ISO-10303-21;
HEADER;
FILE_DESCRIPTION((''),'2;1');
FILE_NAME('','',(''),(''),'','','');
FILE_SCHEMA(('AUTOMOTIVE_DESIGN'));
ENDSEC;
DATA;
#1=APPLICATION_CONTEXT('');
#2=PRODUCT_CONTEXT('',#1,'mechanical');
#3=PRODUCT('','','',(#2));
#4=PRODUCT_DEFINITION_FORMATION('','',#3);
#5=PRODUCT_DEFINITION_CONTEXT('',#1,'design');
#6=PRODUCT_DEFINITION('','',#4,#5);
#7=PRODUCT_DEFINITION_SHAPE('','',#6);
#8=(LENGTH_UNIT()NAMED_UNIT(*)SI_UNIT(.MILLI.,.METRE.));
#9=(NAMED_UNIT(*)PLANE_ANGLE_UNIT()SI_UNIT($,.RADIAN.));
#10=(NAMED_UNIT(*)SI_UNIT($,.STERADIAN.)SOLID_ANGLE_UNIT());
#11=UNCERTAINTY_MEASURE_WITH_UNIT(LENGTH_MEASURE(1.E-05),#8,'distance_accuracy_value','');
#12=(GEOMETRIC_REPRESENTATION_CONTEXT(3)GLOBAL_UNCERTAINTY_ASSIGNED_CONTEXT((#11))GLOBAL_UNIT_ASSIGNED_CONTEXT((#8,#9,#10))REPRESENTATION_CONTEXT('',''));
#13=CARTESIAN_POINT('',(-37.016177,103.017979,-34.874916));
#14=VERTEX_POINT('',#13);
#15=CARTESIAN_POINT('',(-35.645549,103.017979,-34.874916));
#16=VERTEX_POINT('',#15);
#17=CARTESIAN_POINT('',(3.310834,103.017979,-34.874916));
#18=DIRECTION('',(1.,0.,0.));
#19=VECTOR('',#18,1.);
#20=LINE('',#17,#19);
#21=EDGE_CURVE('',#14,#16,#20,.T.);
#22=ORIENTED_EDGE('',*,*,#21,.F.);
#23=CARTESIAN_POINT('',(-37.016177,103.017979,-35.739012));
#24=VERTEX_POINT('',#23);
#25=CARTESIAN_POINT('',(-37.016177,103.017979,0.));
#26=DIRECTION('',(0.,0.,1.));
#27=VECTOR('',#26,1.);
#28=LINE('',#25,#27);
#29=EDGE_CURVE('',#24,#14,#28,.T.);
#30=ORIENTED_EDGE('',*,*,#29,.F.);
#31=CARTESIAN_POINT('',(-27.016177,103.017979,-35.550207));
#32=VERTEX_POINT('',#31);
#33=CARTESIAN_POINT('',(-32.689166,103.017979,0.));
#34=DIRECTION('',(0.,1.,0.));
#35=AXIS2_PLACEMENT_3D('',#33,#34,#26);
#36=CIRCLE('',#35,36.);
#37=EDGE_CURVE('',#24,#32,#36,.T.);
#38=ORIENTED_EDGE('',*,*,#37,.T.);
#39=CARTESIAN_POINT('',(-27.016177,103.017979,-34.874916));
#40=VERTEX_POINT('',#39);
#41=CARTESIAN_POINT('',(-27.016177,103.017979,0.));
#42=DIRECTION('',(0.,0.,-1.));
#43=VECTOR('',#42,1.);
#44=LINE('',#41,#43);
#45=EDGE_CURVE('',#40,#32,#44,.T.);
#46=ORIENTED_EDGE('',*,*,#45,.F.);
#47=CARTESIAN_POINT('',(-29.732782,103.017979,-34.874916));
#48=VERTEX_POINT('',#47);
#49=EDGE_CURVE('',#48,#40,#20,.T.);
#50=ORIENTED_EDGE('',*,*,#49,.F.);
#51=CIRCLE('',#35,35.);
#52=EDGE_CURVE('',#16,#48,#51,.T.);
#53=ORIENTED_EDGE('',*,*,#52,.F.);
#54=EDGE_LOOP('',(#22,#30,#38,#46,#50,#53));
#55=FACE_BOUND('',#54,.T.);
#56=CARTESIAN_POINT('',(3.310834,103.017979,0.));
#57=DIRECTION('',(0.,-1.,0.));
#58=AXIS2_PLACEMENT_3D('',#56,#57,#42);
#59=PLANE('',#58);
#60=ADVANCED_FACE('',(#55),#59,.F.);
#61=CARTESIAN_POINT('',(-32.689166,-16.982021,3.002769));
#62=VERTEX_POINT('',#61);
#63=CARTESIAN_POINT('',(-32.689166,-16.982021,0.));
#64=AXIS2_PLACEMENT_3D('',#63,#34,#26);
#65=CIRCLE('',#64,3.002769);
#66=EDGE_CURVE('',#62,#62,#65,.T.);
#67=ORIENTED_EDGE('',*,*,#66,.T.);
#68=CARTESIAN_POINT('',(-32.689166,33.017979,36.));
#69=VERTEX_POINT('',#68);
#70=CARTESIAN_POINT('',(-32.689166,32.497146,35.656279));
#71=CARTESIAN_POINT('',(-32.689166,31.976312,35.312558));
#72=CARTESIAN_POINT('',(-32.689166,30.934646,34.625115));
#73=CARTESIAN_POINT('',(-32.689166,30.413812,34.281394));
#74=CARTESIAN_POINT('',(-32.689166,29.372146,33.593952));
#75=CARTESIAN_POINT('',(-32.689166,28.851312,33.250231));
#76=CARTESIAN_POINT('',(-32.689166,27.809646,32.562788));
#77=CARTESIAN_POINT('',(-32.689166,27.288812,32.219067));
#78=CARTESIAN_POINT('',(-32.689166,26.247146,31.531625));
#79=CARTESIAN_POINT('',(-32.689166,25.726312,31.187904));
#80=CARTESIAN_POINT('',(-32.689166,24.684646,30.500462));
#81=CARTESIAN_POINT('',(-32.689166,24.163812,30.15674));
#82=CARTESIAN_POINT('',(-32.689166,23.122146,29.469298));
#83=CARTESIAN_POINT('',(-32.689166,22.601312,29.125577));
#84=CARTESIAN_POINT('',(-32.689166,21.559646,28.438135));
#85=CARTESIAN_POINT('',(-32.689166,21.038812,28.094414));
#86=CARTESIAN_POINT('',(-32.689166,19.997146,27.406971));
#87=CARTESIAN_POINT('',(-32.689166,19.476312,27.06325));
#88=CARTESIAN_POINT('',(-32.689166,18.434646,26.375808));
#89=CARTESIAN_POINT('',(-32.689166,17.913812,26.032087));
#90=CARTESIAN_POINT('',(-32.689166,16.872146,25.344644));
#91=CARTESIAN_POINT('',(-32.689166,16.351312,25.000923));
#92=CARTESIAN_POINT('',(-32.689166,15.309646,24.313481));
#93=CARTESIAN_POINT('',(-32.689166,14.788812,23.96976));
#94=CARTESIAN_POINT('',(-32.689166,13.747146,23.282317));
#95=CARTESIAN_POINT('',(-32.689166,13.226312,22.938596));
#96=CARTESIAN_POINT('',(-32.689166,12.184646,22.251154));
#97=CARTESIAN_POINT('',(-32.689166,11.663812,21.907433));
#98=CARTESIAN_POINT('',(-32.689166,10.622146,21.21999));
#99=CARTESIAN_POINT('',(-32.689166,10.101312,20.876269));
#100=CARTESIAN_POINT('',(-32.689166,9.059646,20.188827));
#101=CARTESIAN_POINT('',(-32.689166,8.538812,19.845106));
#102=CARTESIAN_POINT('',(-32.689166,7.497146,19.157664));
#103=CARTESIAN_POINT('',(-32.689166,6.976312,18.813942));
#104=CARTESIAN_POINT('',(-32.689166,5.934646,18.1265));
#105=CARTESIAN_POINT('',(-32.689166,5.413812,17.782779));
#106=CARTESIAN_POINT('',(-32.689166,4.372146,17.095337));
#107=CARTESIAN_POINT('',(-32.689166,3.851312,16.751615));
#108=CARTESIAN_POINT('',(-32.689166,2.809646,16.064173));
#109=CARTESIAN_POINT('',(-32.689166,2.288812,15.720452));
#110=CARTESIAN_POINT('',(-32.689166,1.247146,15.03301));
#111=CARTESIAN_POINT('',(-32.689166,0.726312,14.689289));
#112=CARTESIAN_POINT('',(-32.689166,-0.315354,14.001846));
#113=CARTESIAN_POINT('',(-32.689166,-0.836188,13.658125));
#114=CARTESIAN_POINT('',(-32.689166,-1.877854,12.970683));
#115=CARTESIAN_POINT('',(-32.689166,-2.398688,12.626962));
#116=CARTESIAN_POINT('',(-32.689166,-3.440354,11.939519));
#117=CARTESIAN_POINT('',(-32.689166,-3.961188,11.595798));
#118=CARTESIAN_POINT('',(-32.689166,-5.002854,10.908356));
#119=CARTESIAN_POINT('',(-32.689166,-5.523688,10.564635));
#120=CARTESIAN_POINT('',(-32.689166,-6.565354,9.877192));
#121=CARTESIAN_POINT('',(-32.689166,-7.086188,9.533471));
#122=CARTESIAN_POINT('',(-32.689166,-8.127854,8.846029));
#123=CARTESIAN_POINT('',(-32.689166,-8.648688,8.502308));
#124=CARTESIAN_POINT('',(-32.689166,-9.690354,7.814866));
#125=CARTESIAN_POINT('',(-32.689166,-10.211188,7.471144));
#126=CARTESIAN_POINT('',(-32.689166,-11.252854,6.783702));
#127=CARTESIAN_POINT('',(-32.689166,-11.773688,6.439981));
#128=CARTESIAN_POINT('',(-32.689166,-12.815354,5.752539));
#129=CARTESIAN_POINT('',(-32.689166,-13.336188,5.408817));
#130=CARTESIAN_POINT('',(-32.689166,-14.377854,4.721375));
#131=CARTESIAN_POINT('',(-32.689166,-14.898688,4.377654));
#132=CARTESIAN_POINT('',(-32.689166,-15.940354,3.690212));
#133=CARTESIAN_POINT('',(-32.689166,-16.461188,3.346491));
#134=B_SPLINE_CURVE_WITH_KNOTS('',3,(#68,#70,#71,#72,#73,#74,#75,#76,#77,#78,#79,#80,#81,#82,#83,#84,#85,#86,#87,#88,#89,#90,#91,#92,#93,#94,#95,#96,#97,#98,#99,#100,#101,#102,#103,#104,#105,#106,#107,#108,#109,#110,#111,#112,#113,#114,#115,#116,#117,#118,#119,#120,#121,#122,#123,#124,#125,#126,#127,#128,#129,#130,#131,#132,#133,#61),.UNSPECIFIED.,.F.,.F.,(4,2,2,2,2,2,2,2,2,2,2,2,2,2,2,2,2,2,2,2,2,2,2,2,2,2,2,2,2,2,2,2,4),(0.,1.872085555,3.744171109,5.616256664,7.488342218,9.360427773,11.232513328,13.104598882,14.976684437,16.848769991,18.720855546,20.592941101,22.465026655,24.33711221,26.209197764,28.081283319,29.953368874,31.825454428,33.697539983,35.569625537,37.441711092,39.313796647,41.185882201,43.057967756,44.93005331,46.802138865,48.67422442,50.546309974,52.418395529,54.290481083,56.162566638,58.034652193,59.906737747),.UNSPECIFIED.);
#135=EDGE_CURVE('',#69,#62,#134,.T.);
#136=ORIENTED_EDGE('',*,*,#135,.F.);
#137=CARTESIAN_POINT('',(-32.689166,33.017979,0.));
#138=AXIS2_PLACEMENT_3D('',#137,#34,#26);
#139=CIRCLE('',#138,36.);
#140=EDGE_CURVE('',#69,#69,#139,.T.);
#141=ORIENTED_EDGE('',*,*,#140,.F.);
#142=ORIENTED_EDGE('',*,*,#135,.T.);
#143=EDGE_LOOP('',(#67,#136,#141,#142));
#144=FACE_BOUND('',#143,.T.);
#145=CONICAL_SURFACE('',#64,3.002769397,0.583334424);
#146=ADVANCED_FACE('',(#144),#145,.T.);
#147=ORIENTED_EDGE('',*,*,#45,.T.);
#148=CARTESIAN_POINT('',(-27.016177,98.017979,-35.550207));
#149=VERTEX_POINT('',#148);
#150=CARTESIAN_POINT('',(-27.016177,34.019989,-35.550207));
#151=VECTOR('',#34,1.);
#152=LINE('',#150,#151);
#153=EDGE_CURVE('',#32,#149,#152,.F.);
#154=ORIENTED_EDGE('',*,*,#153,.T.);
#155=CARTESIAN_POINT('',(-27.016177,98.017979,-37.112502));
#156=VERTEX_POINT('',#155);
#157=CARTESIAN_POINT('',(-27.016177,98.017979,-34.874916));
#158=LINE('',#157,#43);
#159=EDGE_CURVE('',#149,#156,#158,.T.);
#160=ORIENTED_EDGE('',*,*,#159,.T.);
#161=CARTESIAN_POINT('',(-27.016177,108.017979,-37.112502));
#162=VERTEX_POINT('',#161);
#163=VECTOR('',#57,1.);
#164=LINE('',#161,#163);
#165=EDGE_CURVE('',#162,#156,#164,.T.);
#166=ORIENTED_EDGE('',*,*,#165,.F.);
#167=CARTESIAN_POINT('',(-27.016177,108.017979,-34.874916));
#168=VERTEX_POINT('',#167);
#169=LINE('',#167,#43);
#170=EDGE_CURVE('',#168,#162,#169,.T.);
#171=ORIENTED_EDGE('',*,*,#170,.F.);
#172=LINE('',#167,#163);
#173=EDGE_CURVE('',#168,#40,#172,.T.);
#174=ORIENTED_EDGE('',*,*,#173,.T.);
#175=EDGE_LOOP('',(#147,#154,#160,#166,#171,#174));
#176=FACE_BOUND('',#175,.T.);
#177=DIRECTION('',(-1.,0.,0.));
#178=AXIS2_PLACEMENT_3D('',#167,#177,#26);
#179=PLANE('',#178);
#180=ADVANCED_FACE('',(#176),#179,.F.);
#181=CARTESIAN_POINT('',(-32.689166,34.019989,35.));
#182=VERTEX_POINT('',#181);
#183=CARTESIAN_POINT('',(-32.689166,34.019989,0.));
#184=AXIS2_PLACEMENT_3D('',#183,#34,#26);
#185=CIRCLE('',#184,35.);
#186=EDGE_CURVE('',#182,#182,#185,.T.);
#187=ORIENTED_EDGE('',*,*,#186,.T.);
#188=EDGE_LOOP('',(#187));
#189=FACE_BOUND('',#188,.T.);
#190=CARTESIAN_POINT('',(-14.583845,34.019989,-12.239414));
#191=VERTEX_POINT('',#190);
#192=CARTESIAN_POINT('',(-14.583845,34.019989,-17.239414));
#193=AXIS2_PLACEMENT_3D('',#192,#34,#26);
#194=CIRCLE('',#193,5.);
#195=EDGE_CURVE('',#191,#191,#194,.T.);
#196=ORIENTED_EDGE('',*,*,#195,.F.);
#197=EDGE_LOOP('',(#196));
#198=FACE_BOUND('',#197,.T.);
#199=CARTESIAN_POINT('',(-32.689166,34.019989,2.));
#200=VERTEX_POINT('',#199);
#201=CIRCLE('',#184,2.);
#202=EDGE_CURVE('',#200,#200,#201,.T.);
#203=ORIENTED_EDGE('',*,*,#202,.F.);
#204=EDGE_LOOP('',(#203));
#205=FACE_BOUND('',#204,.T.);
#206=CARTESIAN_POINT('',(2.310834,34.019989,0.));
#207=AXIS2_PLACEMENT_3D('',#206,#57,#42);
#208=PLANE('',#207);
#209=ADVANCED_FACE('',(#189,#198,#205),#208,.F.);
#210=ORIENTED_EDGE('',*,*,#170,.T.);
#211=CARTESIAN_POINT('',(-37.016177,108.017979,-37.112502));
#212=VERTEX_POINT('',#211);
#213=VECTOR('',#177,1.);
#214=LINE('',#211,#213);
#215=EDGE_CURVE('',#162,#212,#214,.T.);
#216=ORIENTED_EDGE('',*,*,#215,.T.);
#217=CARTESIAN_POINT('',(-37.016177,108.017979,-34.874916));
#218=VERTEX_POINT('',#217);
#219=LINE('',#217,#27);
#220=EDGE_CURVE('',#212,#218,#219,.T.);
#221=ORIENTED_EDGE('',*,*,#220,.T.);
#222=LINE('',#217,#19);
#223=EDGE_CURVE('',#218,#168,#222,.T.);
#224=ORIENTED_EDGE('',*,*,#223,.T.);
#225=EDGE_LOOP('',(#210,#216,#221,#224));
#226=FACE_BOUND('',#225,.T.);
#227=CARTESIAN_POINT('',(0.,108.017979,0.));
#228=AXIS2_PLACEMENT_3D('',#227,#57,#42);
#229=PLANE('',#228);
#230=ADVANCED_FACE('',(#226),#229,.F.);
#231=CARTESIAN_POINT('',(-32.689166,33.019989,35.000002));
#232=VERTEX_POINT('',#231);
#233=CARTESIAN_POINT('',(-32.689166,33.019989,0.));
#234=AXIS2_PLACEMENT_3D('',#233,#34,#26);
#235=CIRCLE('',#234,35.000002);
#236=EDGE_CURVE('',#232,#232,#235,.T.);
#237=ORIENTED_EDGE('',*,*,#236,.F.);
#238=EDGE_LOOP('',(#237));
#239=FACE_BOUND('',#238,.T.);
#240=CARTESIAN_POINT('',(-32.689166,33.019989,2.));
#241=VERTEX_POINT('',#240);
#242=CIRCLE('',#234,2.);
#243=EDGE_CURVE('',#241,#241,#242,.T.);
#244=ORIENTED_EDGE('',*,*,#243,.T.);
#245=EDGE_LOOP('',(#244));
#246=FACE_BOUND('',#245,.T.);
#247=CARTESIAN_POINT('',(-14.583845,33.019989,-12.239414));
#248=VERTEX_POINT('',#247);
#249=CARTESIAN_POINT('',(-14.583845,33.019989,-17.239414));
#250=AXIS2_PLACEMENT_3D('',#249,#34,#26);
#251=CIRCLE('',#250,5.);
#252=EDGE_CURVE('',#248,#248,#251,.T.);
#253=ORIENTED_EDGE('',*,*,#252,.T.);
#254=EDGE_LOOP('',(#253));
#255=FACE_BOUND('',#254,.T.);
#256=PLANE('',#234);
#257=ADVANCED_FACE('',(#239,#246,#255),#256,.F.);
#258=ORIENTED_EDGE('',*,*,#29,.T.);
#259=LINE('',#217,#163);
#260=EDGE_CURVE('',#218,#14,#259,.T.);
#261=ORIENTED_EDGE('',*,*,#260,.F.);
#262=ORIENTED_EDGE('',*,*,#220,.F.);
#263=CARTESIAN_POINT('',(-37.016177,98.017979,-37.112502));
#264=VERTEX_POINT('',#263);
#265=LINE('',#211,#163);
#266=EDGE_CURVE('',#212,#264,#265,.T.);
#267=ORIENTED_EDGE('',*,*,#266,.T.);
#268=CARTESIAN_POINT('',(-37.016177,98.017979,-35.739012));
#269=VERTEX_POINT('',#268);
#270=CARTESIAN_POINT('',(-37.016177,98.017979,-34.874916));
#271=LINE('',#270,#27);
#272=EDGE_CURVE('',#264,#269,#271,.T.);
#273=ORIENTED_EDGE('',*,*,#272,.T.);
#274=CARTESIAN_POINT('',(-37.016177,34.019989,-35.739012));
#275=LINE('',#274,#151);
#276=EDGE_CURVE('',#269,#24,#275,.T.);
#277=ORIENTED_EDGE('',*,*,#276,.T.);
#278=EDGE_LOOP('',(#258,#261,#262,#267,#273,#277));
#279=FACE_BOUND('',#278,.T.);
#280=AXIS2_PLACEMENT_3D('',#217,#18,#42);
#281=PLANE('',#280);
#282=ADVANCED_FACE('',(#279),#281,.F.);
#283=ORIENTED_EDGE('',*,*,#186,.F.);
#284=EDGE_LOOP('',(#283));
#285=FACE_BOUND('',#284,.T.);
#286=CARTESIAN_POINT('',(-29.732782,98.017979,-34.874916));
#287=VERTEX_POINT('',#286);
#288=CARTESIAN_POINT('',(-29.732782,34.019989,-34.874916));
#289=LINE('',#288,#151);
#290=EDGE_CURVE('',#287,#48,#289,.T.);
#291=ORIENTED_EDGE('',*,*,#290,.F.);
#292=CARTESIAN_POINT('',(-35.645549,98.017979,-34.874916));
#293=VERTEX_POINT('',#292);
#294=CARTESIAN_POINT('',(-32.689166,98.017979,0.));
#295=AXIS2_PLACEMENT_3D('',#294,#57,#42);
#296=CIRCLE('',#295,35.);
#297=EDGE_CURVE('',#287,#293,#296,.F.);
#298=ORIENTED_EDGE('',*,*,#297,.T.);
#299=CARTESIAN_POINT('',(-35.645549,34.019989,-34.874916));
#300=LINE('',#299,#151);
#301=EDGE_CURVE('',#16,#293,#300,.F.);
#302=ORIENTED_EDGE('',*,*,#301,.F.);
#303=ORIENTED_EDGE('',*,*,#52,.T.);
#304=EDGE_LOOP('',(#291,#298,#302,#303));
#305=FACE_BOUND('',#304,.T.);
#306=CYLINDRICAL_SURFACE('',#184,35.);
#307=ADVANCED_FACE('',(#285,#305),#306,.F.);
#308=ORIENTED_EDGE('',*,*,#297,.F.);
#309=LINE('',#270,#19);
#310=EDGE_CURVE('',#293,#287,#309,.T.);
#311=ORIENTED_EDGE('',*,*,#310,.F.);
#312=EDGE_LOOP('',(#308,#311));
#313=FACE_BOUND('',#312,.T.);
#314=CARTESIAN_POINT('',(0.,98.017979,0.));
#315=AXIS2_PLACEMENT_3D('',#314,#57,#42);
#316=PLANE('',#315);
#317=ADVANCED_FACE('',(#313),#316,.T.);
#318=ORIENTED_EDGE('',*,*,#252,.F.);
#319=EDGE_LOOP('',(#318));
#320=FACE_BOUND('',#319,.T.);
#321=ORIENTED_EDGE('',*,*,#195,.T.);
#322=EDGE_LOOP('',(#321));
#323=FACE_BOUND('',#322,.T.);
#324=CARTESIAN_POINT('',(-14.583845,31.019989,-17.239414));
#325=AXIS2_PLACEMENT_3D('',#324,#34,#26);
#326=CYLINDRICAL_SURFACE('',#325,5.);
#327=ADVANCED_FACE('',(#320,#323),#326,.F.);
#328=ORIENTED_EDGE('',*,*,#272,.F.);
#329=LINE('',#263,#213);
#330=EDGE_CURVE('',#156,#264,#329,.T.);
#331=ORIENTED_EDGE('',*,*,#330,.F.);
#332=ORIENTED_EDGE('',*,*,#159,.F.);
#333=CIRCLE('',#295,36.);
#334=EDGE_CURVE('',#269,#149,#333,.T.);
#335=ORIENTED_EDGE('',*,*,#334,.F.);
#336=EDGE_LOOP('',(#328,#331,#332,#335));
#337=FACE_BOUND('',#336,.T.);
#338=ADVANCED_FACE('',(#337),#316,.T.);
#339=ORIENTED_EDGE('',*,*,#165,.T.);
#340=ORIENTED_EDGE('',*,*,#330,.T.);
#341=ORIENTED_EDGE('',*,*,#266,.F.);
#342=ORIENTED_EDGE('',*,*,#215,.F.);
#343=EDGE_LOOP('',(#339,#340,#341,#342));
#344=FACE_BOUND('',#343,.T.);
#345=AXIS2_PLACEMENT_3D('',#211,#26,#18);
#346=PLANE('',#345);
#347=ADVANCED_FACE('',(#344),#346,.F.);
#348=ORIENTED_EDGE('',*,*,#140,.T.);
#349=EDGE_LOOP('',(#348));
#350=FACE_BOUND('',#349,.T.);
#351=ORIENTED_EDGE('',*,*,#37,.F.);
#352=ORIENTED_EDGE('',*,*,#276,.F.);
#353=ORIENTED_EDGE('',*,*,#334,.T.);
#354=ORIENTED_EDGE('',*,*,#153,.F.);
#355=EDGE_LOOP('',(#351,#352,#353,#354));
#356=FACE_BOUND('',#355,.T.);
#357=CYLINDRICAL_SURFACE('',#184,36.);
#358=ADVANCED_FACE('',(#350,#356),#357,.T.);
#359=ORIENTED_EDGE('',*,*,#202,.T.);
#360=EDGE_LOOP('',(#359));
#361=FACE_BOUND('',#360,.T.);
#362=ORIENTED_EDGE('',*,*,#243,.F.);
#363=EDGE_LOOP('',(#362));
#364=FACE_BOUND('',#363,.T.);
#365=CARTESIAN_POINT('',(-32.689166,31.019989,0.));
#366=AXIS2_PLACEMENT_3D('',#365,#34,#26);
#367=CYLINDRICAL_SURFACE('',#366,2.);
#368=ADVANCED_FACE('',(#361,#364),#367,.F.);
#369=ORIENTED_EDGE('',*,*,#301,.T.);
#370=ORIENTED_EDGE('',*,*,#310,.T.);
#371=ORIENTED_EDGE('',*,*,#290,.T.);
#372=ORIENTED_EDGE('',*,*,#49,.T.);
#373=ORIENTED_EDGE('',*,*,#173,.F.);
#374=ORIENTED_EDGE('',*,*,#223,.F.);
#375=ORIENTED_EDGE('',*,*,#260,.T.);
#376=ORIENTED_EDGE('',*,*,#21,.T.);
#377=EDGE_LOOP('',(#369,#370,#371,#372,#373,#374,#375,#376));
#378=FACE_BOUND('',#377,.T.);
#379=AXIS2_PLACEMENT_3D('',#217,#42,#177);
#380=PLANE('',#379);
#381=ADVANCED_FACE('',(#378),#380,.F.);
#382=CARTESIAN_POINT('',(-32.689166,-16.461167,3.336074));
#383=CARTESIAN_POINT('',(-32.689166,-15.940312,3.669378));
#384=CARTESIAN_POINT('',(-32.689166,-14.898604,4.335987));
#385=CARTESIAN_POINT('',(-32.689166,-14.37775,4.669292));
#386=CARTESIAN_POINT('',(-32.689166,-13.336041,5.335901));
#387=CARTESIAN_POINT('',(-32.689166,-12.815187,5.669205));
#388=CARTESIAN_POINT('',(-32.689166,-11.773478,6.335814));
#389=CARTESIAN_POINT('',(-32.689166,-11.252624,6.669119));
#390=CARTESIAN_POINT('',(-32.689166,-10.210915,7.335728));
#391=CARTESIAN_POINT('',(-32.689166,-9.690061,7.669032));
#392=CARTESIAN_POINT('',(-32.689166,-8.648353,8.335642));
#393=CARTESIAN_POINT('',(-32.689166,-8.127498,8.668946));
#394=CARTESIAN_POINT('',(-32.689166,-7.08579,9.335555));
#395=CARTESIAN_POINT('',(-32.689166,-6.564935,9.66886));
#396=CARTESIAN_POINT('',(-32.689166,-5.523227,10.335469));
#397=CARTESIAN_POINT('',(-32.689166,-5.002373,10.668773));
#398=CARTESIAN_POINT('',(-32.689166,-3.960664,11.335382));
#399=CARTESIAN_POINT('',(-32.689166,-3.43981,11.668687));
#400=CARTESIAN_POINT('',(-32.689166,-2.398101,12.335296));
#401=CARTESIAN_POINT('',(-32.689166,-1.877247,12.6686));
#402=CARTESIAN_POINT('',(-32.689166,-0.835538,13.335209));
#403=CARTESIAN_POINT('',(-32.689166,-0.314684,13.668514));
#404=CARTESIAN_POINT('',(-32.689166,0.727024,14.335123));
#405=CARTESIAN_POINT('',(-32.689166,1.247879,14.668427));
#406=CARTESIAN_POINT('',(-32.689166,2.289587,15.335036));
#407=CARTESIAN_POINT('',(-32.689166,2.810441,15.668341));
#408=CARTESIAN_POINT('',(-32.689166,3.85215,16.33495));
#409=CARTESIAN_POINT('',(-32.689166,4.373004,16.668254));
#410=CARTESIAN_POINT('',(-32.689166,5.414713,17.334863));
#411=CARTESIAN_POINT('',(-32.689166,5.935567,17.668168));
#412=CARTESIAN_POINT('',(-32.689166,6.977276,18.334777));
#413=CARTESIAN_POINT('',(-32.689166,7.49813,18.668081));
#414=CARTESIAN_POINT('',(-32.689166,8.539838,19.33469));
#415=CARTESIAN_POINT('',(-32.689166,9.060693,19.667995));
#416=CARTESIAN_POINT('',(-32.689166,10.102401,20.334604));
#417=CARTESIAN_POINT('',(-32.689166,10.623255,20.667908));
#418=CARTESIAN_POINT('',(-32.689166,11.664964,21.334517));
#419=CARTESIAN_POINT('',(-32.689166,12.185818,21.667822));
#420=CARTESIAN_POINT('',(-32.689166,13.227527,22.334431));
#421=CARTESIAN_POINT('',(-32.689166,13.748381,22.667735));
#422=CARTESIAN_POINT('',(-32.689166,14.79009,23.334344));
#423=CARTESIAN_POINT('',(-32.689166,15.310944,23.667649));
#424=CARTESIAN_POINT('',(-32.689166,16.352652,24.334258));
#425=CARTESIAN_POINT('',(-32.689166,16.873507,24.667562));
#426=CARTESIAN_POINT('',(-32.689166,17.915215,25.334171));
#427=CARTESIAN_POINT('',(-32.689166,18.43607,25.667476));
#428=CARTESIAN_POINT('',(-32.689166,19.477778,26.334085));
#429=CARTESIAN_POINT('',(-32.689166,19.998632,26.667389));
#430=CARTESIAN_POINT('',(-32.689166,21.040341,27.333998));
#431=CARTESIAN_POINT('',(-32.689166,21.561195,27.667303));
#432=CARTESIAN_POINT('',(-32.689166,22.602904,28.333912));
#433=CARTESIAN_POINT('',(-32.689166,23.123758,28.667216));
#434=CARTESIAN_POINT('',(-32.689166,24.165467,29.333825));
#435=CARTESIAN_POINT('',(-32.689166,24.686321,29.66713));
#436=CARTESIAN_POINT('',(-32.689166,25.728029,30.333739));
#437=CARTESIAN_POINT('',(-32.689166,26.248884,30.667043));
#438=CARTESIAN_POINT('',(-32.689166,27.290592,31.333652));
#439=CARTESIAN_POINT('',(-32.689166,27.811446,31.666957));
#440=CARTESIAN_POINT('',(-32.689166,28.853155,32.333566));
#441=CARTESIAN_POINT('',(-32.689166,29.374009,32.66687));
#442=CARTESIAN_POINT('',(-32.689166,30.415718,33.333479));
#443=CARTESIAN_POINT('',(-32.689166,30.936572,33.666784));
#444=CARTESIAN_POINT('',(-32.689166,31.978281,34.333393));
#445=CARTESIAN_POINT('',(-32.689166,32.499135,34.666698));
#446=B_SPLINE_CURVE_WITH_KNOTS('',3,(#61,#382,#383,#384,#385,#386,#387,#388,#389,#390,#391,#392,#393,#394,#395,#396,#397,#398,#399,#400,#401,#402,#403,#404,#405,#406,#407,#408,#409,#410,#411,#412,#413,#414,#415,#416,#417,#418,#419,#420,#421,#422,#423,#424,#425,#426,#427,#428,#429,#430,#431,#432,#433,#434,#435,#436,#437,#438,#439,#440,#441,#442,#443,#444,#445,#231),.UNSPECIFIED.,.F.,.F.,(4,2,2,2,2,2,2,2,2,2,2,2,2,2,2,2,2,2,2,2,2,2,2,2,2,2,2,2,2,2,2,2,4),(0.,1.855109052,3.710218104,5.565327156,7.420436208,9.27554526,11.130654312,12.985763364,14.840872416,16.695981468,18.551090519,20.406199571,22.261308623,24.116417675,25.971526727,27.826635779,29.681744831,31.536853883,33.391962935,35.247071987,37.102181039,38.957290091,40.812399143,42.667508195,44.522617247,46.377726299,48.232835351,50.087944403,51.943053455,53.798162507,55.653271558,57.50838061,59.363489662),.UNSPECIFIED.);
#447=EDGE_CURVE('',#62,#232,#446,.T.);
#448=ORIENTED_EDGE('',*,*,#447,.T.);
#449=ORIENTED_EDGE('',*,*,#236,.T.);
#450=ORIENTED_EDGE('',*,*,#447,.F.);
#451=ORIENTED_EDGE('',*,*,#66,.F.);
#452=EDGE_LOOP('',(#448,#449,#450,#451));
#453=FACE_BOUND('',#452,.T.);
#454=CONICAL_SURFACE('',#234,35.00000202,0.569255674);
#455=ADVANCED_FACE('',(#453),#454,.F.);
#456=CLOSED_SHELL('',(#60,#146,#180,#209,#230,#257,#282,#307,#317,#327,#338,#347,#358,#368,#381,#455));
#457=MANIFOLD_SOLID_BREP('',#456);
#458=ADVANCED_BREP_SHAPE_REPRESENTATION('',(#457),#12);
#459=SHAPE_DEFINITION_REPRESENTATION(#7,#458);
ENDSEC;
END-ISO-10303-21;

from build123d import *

# Parameters (mm, degrees)
SKETCH2_R           = 2
SKETCH2_R_2         = 5
CUT_EXTRUDE1_DEPTH  = 3
SKETCH3_W           = 10
SKETCH3_H           = 2.237585103
BOSS_EXTRUDE1_DEPTH = 5


with BuildPart() as part:
    # Sketch1 → Revolve1 (revolve)
    with BuildSketch(Plane.XY, mode=Mode.PRIVATE) as revolve1_sk:
        Polygon((2.310834394, 103.017979097), (2.310834394, 34.01998915), (-32.689165606, 34.01998915), (-32.689165606, 33.01998915), (2.310836414, 33.01998915), (-29.686396209, -16.982020903), (3.310834394, 33.017979097), (3.310834394, 103.017979097), align=None)
    revolve(revolve1_sk.sketch.rotate(Axis((-32.689165606, 34.01998915, 0), (0, -1, 0)), 90), axis=Axis((-32.689165606, 34.01998915, 0), (0, -1, 0)))

    # Sketch2 → Cut-Extrude1 (cut)
    with BuildSketch(Plane(origin=(0, 34.01998915, 0), x_dir=(1, 0, 0), z_dir=(0, 1, 0))):
        with Locations(Location((-32.689165606, 0, 0), (0, 0, 270))):
            Circle(SKETCH2_R)
        with Locations(Location((-14.583845408, 17.239413579, 0), (0, 0, 270))):
            Circle(SKETCH2_R_2)
    extrude(amount=-CUT_EXTRUDE1_DEPTH, mode=Mode.SUBTRACT)

    # Sketch3 → Boss-Extrude1 (add, symmetric)
    with BuildSketch(Plane(origin=(0, 103.017979097, 0), x_dir=(1, 0, 0), z_dir=(0, 1, 0))):
        with Locations((-32.016176603, 35.993708975)):
            Rectangle(SKETCH3_W, SKETCH3_H)
    extrude(amount=BOSS_EXTRUDE1_DEPTH, both=True)


solid = part.part
